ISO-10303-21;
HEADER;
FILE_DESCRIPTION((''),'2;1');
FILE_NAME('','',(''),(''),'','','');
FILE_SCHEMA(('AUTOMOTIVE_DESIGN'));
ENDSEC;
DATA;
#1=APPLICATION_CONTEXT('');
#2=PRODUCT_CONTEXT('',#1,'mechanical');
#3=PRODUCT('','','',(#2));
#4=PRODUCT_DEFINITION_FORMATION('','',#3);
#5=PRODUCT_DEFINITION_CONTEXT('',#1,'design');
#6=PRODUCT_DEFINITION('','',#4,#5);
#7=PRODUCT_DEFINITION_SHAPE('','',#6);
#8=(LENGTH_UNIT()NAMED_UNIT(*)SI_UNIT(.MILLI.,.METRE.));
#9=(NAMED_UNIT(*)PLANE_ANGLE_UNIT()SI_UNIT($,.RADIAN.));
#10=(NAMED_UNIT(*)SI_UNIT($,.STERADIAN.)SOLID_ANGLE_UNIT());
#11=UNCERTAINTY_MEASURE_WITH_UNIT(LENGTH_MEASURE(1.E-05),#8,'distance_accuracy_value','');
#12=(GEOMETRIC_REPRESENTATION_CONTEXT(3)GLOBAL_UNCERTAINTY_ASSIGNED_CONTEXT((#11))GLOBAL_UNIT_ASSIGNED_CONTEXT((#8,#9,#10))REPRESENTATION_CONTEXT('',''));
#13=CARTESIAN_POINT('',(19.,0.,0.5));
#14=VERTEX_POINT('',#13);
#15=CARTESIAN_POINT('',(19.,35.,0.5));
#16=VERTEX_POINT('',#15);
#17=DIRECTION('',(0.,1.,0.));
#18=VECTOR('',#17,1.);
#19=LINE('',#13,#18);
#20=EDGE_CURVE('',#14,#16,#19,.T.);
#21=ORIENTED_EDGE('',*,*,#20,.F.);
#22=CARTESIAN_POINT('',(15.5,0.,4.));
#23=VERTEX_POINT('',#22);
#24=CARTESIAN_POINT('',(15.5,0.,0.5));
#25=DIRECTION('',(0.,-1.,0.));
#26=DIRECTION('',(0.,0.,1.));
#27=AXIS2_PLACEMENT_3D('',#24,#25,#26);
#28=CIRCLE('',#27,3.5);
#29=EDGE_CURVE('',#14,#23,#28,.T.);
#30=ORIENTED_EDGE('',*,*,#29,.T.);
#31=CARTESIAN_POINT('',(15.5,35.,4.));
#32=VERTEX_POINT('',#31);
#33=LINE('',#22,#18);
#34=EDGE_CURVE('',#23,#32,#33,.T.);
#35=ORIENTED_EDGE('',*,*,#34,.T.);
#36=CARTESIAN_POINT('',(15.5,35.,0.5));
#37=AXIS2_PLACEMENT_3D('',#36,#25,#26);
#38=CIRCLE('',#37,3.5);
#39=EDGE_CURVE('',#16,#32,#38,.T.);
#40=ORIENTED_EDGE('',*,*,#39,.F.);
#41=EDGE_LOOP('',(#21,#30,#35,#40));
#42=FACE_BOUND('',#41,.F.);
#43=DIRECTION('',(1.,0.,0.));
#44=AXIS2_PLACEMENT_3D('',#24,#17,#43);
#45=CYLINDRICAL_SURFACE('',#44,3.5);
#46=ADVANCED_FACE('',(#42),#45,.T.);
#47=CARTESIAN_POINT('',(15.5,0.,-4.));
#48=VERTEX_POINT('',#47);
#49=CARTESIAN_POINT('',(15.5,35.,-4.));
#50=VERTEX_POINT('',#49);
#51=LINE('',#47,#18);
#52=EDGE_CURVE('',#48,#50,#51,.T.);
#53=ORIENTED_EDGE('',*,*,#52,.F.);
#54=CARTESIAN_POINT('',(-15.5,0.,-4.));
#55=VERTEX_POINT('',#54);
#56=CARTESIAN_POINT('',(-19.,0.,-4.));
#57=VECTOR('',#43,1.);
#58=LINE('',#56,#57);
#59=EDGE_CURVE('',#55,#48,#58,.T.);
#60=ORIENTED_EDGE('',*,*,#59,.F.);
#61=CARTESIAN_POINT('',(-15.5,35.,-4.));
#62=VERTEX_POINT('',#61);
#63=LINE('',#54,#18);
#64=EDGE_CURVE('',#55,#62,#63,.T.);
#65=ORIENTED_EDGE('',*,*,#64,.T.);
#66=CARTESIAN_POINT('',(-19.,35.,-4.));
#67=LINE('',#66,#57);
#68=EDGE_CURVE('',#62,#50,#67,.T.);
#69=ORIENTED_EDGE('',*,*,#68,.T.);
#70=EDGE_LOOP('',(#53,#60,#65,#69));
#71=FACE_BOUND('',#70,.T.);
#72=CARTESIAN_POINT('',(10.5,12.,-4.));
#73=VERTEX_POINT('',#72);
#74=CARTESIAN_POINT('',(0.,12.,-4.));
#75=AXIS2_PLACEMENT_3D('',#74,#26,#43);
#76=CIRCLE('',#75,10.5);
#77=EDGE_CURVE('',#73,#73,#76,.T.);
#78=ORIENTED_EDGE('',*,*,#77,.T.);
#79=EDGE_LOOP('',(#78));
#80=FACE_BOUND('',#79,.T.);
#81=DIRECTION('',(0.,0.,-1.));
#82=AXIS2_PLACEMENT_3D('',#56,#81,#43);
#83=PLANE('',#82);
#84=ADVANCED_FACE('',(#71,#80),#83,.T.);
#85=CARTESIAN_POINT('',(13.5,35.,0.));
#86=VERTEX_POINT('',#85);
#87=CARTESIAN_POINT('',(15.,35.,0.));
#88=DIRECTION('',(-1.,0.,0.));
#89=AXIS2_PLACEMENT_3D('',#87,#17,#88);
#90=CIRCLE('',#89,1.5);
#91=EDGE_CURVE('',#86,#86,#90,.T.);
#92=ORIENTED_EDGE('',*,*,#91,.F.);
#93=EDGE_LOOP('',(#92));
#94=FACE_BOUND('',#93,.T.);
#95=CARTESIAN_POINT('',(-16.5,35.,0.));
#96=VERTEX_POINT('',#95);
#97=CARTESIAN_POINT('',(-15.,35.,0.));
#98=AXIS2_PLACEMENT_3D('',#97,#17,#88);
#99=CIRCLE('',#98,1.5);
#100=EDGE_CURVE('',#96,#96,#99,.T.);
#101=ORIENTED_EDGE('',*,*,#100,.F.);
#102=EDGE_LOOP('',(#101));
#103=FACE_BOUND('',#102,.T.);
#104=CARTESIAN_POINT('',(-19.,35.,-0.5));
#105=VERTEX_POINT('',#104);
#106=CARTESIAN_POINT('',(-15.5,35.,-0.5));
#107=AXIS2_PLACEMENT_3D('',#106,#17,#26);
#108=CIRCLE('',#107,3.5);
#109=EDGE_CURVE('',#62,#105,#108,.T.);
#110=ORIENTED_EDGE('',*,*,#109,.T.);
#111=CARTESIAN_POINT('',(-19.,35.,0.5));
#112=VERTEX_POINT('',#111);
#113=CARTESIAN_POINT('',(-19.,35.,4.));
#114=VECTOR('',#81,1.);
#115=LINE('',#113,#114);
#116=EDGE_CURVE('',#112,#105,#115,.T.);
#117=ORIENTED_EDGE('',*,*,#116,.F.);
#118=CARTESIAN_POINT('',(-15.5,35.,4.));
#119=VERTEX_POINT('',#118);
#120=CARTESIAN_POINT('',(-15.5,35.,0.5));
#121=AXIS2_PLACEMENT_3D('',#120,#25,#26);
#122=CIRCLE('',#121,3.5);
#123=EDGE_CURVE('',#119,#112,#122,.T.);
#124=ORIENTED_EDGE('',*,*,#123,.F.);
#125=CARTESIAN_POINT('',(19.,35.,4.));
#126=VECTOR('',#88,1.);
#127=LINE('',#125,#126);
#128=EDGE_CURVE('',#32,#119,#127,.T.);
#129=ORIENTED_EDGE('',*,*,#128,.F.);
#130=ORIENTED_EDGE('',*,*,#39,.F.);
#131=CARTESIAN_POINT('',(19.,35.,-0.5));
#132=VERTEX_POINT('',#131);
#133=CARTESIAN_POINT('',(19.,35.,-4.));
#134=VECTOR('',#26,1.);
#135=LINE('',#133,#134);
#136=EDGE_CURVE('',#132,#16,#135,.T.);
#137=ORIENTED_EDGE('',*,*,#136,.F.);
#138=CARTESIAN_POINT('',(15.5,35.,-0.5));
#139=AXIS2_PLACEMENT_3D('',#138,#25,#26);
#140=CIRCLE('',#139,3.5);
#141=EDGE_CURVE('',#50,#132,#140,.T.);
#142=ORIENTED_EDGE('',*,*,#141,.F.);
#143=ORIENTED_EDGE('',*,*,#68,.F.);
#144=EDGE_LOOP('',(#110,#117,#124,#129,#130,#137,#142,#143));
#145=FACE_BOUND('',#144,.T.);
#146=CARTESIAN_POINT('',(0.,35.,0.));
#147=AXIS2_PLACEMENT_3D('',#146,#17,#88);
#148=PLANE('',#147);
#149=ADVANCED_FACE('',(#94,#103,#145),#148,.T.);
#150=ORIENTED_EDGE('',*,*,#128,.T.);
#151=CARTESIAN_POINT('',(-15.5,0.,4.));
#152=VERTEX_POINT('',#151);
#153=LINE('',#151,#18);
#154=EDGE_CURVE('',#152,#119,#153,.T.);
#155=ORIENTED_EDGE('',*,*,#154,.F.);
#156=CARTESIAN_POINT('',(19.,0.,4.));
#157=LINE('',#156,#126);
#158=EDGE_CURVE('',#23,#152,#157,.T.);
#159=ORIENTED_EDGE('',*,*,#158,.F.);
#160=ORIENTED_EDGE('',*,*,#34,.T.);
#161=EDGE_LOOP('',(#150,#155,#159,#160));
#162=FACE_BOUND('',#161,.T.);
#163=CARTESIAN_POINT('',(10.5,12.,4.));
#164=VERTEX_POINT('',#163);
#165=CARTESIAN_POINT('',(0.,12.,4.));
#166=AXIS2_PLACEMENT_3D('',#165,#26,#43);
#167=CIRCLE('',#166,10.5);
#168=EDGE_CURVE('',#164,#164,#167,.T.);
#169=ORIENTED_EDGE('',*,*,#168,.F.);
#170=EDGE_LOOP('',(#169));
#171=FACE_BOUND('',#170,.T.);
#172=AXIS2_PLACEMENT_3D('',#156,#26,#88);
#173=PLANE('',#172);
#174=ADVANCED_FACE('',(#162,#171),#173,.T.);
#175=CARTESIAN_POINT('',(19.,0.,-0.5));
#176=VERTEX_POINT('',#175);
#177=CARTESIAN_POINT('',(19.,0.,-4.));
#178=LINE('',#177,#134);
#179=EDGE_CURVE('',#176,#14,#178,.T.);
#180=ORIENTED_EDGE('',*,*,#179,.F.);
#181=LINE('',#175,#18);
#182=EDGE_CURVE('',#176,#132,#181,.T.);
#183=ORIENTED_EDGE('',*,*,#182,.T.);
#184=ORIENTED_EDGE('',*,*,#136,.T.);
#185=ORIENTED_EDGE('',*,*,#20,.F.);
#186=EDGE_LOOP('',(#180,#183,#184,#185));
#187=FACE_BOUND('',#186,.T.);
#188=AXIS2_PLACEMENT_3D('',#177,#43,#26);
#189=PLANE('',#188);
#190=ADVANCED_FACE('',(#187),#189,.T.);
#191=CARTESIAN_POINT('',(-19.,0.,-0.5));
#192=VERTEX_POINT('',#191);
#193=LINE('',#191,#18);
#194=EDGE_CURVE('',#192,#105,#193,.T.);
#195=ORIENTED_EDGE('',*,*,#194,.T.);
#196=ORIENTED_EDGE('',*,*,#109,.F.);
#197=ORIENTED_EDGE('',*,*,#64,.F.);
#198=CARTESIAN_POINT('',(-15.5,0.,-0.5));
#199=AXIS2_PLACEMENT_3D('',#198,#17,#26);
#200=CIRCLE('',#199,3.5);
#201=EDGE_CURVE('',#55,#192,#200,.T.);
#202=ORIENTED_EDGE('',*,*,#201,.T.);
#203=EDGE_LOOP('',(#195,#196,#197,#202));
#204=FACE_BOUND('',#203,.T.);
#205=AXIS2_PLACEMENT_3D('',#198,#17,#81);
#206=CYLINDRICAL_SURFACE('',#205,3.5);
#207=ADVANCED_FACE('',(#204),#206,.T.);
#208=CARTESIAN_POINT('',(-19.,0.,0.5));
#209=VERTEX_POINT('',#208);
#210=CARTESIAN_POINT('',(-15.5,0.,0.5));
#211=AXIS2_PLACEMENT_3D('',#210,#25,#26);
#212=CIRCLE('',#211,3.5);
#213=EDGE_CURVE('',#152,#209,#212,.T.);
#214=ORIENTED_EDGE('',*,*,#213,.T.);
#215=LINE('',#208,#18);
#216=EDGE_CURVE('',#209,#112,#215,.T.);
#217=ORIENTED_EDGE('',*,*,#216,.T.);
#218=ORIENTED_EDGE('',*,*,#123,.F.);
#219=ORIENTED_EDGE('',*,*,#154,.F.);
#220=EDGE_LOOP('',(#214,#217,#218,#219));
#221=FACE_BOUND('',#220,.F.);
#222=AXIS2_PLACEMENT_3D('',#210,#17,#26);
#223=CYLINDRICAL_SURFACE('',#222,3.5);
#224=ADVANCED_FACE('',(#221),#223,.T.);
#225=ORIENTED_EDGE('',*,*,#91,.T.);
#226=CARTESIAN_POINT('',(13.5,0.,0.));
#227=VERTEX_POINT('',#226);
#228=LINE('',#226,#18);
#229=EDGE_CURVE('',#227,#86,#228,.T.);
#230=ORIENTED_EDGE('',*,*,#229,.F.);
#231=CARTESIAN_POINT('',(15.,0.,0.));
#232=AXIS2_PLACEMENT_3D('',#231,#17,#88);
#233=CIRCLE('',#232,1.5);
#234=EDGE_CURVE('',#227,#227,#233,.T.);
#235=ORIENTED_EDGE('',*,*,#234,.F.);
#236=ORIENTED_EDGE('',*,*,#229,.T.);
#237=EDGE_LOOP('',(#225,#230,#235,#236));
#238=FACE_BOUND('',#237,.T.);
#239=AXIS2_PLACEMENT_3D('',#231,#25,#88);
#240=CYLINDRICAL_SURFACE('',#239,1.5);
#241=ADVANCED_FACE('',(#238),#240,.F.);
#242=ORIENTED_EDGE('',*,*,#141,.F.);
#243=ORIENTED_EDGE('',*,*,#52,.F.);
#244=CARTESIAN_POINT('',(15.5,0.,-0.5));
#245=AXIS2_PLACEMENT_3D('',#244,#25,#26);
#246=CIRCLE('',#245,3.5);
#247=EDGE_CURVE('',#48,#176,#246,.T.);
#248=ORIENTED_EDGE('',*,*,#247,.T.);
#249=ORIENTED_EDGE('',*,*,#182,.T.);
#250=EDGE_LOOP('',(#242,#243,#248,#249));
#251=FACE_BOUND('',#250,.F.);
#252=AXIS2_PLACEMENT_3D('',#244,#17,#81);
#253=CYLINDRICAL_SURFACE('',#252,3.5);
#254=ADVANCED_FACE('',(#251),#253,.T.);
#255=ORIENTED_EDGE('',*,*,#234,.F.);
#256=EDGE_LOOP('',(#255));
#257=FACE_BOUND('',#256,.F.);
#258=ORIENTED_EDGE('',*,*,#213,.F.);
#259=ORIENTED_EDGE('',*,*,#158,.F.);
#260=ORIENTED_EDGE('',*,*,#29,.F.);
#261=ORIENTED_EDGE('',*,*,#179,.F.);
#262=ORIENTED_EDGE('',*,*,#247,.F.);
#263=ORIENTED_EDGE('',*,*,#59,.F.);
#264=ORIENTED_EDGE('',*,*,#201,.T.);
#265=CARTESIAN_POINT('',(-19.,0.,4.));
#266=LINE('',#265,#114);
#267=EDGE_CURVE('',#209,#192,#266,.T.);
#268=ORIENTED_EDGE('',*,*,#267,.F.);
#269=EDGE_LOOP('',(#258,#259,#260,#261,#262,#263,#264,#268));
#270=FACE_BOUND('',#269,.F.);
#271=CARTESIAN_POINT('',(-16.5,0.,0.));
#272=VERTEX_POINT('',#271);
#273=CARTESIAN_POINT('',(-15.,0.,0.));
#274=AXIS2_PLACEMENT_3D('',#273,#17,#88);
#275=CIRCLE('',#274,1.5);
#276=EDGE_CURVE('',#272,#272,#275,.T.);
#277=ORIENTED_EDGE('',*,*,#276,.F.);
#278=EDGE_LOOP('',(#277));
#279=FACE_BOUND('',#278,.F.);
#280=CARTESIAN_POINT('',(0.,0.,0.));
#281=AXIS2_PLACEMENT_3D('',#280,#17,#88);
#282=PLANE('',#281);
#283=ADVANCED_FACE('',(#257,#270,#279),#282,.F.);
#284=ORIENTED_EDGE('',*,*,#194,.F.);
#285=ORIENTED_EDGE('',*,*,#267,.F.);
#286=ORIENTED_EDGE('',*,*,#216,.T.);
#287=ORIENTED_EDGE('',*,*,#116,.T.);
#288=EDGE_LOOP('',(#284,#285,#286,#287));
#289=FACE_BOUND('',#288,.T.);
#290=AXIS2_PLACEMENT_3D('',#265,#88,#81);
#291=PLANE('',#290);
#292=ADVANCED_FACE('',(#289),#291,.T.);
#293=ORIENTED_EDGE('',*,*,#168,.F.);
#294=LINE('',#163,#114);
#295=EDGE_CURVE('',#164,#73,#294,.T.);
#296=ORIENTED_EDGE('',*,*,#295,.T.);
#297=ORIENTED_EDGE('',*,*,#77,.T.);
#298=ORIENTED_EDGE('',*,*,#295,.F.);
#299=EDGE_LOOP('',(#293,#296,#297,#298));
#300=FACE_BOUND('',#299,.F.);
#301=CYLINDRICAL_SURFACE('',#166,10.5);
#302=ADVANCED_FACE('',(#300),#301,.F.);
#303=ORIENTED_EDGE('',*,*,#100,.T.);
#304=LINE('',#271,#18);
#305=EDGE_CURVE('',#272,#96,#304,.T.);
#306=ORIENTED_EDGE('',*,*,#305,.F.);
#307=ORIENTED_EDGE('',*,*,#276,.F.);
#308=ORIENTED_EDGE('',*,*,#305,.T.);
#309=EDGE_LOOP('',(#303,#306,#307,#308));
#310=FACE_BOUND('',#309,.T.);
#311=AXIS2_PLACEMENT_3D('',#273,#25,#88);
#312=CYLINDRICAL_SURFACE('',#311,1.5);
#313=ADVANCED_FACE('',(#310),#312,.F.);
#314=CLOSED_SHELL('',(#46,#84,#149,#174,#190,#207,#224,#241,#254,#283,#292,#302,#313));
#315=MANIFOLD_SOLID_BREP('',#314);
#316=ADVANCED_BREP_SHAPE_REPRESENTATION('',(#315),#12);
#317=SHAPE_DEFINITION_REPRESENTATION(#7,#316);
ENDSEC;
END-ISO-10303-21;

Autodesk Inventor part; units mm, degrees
ref_plane "YZ Plane" through (0, 0, 0) normal (1, 0, 0) x (0, 1, 0)
ref_plane "XZ Plane" through (0, 0, 0) normal (0, 1, 0) x (-1, 0, 0)
ref_plane "XY Plane" through (0, 0, 0) normal (0, 0, 1) x (1, 0, 0)
sketch "Эскиз1" plane through (0, 0, 0) normal (1, 0, 0) x (0, 1, 0)
  point P0 (0, 0)
sketch "Эскиз2" plane through (0, 0, 0) normal (0, 1, 0) x (-1, 0, 0)
  line L0 (19, -4) -> (-19, -4)
  line L1 (-19, -4) -> (-19, 4)
  line L2 (-19, 4) -> (19, 4)
  line L3 (19, 4) -> (19, -4)
  line L4 (19, -4) -> (-19, 4) construction
  line L5 (-19, -4) -> (19, 4) construction
  line L6 (19, 0) -> (-19, 0) construction
  circle A0 centre (-15, 0) radius 1.5
  line L7 (0, -4) -> (0, 4) construction
  circle A1 centre (15, 0) radius 1.5
  point P0 (0, 0)
  dimension "d1" = 30
  dimension "d2" = 3
  dimension "d3" = 38
  dimension "d4" = 8
extrude "Выдавливание1" add sketch "Эскиз2" along normal blind 35
fillet "Сопряжение1" radius 3.5 4 edges at (19, 17.5, 4) (19, 17.5, -4) (-19, 17.5, 4) (-19, 17.5, -4)
sketch "Эскиз3" plane through (-15.5, 0, 4) normal (0, 0, 1) x (1, 0, 0)
  line L0 (29, 35) -> (29, 0) construction
  line L1 (0, 0) -> (0, 35) construction
  line L2 (0, 0) -> (31, 0) construction
  line L3 (31, 35) -> (31, 0) construction
  line L4 (0, 35) -> (31, 35) construction
  line L5 (32, 35) -> (32, 0) construction
  line L6 (34.5, 35) -> (31, 35) construction
  line L7 (31, 35) -> (31, 0) construction
  line L8 (31, 0) -> (34.5, 0) construction
  line L9 (34.5, 0) -> (34.5, 35) construction
  line L10 (-1, 35) -> (-1, 0) construction
  line L11 (0, 35) -> (-3.5, 35) construction
  line L12 (-3.5, 35) -> (-3.5, 0) construction
  line L13 (-3.5, 0) -> (0, 0) construction
  line L14 (0, 0) -> (0, 35) construction
  line L15 (0, 0) -> (0, 35) construction
  line L16 (-1, 35) -> (2, 35) construction
  line L17 (29, 35) -> (32, 35) construction
  line L18 (29, 0) -> (32, 0) construction
  line L19 (-1, 35) -> (2, 35) construction
  line L20 (-1, 0) -> (2, 0) construction
  line L21 (-1, 35) -> (2, 35) construction
  line L22 (-1, 0) -> (2, 0) construction
  line L23 (2, 35) -> (2, 0) construction
  line L24 (29, 35) -> (2, 0) construction
  line L25 (2, 35) -> (29, 0) construction
  line L26 (15.5, 17.5) -> (15.5, 35) construction
  line L27 (0, 35) -> (31, 35) construction
  circle A0 centre (15.5, 12) radius 10.5
  point P0 (15.5, 0)
  dimension "d8" = 21
  dimension "d9" = 12
extrude "Выдавливание2" cut sketch "Эскиз3" against normal blind 35
properties part number "mid_mount" material "Пластик АБС"
